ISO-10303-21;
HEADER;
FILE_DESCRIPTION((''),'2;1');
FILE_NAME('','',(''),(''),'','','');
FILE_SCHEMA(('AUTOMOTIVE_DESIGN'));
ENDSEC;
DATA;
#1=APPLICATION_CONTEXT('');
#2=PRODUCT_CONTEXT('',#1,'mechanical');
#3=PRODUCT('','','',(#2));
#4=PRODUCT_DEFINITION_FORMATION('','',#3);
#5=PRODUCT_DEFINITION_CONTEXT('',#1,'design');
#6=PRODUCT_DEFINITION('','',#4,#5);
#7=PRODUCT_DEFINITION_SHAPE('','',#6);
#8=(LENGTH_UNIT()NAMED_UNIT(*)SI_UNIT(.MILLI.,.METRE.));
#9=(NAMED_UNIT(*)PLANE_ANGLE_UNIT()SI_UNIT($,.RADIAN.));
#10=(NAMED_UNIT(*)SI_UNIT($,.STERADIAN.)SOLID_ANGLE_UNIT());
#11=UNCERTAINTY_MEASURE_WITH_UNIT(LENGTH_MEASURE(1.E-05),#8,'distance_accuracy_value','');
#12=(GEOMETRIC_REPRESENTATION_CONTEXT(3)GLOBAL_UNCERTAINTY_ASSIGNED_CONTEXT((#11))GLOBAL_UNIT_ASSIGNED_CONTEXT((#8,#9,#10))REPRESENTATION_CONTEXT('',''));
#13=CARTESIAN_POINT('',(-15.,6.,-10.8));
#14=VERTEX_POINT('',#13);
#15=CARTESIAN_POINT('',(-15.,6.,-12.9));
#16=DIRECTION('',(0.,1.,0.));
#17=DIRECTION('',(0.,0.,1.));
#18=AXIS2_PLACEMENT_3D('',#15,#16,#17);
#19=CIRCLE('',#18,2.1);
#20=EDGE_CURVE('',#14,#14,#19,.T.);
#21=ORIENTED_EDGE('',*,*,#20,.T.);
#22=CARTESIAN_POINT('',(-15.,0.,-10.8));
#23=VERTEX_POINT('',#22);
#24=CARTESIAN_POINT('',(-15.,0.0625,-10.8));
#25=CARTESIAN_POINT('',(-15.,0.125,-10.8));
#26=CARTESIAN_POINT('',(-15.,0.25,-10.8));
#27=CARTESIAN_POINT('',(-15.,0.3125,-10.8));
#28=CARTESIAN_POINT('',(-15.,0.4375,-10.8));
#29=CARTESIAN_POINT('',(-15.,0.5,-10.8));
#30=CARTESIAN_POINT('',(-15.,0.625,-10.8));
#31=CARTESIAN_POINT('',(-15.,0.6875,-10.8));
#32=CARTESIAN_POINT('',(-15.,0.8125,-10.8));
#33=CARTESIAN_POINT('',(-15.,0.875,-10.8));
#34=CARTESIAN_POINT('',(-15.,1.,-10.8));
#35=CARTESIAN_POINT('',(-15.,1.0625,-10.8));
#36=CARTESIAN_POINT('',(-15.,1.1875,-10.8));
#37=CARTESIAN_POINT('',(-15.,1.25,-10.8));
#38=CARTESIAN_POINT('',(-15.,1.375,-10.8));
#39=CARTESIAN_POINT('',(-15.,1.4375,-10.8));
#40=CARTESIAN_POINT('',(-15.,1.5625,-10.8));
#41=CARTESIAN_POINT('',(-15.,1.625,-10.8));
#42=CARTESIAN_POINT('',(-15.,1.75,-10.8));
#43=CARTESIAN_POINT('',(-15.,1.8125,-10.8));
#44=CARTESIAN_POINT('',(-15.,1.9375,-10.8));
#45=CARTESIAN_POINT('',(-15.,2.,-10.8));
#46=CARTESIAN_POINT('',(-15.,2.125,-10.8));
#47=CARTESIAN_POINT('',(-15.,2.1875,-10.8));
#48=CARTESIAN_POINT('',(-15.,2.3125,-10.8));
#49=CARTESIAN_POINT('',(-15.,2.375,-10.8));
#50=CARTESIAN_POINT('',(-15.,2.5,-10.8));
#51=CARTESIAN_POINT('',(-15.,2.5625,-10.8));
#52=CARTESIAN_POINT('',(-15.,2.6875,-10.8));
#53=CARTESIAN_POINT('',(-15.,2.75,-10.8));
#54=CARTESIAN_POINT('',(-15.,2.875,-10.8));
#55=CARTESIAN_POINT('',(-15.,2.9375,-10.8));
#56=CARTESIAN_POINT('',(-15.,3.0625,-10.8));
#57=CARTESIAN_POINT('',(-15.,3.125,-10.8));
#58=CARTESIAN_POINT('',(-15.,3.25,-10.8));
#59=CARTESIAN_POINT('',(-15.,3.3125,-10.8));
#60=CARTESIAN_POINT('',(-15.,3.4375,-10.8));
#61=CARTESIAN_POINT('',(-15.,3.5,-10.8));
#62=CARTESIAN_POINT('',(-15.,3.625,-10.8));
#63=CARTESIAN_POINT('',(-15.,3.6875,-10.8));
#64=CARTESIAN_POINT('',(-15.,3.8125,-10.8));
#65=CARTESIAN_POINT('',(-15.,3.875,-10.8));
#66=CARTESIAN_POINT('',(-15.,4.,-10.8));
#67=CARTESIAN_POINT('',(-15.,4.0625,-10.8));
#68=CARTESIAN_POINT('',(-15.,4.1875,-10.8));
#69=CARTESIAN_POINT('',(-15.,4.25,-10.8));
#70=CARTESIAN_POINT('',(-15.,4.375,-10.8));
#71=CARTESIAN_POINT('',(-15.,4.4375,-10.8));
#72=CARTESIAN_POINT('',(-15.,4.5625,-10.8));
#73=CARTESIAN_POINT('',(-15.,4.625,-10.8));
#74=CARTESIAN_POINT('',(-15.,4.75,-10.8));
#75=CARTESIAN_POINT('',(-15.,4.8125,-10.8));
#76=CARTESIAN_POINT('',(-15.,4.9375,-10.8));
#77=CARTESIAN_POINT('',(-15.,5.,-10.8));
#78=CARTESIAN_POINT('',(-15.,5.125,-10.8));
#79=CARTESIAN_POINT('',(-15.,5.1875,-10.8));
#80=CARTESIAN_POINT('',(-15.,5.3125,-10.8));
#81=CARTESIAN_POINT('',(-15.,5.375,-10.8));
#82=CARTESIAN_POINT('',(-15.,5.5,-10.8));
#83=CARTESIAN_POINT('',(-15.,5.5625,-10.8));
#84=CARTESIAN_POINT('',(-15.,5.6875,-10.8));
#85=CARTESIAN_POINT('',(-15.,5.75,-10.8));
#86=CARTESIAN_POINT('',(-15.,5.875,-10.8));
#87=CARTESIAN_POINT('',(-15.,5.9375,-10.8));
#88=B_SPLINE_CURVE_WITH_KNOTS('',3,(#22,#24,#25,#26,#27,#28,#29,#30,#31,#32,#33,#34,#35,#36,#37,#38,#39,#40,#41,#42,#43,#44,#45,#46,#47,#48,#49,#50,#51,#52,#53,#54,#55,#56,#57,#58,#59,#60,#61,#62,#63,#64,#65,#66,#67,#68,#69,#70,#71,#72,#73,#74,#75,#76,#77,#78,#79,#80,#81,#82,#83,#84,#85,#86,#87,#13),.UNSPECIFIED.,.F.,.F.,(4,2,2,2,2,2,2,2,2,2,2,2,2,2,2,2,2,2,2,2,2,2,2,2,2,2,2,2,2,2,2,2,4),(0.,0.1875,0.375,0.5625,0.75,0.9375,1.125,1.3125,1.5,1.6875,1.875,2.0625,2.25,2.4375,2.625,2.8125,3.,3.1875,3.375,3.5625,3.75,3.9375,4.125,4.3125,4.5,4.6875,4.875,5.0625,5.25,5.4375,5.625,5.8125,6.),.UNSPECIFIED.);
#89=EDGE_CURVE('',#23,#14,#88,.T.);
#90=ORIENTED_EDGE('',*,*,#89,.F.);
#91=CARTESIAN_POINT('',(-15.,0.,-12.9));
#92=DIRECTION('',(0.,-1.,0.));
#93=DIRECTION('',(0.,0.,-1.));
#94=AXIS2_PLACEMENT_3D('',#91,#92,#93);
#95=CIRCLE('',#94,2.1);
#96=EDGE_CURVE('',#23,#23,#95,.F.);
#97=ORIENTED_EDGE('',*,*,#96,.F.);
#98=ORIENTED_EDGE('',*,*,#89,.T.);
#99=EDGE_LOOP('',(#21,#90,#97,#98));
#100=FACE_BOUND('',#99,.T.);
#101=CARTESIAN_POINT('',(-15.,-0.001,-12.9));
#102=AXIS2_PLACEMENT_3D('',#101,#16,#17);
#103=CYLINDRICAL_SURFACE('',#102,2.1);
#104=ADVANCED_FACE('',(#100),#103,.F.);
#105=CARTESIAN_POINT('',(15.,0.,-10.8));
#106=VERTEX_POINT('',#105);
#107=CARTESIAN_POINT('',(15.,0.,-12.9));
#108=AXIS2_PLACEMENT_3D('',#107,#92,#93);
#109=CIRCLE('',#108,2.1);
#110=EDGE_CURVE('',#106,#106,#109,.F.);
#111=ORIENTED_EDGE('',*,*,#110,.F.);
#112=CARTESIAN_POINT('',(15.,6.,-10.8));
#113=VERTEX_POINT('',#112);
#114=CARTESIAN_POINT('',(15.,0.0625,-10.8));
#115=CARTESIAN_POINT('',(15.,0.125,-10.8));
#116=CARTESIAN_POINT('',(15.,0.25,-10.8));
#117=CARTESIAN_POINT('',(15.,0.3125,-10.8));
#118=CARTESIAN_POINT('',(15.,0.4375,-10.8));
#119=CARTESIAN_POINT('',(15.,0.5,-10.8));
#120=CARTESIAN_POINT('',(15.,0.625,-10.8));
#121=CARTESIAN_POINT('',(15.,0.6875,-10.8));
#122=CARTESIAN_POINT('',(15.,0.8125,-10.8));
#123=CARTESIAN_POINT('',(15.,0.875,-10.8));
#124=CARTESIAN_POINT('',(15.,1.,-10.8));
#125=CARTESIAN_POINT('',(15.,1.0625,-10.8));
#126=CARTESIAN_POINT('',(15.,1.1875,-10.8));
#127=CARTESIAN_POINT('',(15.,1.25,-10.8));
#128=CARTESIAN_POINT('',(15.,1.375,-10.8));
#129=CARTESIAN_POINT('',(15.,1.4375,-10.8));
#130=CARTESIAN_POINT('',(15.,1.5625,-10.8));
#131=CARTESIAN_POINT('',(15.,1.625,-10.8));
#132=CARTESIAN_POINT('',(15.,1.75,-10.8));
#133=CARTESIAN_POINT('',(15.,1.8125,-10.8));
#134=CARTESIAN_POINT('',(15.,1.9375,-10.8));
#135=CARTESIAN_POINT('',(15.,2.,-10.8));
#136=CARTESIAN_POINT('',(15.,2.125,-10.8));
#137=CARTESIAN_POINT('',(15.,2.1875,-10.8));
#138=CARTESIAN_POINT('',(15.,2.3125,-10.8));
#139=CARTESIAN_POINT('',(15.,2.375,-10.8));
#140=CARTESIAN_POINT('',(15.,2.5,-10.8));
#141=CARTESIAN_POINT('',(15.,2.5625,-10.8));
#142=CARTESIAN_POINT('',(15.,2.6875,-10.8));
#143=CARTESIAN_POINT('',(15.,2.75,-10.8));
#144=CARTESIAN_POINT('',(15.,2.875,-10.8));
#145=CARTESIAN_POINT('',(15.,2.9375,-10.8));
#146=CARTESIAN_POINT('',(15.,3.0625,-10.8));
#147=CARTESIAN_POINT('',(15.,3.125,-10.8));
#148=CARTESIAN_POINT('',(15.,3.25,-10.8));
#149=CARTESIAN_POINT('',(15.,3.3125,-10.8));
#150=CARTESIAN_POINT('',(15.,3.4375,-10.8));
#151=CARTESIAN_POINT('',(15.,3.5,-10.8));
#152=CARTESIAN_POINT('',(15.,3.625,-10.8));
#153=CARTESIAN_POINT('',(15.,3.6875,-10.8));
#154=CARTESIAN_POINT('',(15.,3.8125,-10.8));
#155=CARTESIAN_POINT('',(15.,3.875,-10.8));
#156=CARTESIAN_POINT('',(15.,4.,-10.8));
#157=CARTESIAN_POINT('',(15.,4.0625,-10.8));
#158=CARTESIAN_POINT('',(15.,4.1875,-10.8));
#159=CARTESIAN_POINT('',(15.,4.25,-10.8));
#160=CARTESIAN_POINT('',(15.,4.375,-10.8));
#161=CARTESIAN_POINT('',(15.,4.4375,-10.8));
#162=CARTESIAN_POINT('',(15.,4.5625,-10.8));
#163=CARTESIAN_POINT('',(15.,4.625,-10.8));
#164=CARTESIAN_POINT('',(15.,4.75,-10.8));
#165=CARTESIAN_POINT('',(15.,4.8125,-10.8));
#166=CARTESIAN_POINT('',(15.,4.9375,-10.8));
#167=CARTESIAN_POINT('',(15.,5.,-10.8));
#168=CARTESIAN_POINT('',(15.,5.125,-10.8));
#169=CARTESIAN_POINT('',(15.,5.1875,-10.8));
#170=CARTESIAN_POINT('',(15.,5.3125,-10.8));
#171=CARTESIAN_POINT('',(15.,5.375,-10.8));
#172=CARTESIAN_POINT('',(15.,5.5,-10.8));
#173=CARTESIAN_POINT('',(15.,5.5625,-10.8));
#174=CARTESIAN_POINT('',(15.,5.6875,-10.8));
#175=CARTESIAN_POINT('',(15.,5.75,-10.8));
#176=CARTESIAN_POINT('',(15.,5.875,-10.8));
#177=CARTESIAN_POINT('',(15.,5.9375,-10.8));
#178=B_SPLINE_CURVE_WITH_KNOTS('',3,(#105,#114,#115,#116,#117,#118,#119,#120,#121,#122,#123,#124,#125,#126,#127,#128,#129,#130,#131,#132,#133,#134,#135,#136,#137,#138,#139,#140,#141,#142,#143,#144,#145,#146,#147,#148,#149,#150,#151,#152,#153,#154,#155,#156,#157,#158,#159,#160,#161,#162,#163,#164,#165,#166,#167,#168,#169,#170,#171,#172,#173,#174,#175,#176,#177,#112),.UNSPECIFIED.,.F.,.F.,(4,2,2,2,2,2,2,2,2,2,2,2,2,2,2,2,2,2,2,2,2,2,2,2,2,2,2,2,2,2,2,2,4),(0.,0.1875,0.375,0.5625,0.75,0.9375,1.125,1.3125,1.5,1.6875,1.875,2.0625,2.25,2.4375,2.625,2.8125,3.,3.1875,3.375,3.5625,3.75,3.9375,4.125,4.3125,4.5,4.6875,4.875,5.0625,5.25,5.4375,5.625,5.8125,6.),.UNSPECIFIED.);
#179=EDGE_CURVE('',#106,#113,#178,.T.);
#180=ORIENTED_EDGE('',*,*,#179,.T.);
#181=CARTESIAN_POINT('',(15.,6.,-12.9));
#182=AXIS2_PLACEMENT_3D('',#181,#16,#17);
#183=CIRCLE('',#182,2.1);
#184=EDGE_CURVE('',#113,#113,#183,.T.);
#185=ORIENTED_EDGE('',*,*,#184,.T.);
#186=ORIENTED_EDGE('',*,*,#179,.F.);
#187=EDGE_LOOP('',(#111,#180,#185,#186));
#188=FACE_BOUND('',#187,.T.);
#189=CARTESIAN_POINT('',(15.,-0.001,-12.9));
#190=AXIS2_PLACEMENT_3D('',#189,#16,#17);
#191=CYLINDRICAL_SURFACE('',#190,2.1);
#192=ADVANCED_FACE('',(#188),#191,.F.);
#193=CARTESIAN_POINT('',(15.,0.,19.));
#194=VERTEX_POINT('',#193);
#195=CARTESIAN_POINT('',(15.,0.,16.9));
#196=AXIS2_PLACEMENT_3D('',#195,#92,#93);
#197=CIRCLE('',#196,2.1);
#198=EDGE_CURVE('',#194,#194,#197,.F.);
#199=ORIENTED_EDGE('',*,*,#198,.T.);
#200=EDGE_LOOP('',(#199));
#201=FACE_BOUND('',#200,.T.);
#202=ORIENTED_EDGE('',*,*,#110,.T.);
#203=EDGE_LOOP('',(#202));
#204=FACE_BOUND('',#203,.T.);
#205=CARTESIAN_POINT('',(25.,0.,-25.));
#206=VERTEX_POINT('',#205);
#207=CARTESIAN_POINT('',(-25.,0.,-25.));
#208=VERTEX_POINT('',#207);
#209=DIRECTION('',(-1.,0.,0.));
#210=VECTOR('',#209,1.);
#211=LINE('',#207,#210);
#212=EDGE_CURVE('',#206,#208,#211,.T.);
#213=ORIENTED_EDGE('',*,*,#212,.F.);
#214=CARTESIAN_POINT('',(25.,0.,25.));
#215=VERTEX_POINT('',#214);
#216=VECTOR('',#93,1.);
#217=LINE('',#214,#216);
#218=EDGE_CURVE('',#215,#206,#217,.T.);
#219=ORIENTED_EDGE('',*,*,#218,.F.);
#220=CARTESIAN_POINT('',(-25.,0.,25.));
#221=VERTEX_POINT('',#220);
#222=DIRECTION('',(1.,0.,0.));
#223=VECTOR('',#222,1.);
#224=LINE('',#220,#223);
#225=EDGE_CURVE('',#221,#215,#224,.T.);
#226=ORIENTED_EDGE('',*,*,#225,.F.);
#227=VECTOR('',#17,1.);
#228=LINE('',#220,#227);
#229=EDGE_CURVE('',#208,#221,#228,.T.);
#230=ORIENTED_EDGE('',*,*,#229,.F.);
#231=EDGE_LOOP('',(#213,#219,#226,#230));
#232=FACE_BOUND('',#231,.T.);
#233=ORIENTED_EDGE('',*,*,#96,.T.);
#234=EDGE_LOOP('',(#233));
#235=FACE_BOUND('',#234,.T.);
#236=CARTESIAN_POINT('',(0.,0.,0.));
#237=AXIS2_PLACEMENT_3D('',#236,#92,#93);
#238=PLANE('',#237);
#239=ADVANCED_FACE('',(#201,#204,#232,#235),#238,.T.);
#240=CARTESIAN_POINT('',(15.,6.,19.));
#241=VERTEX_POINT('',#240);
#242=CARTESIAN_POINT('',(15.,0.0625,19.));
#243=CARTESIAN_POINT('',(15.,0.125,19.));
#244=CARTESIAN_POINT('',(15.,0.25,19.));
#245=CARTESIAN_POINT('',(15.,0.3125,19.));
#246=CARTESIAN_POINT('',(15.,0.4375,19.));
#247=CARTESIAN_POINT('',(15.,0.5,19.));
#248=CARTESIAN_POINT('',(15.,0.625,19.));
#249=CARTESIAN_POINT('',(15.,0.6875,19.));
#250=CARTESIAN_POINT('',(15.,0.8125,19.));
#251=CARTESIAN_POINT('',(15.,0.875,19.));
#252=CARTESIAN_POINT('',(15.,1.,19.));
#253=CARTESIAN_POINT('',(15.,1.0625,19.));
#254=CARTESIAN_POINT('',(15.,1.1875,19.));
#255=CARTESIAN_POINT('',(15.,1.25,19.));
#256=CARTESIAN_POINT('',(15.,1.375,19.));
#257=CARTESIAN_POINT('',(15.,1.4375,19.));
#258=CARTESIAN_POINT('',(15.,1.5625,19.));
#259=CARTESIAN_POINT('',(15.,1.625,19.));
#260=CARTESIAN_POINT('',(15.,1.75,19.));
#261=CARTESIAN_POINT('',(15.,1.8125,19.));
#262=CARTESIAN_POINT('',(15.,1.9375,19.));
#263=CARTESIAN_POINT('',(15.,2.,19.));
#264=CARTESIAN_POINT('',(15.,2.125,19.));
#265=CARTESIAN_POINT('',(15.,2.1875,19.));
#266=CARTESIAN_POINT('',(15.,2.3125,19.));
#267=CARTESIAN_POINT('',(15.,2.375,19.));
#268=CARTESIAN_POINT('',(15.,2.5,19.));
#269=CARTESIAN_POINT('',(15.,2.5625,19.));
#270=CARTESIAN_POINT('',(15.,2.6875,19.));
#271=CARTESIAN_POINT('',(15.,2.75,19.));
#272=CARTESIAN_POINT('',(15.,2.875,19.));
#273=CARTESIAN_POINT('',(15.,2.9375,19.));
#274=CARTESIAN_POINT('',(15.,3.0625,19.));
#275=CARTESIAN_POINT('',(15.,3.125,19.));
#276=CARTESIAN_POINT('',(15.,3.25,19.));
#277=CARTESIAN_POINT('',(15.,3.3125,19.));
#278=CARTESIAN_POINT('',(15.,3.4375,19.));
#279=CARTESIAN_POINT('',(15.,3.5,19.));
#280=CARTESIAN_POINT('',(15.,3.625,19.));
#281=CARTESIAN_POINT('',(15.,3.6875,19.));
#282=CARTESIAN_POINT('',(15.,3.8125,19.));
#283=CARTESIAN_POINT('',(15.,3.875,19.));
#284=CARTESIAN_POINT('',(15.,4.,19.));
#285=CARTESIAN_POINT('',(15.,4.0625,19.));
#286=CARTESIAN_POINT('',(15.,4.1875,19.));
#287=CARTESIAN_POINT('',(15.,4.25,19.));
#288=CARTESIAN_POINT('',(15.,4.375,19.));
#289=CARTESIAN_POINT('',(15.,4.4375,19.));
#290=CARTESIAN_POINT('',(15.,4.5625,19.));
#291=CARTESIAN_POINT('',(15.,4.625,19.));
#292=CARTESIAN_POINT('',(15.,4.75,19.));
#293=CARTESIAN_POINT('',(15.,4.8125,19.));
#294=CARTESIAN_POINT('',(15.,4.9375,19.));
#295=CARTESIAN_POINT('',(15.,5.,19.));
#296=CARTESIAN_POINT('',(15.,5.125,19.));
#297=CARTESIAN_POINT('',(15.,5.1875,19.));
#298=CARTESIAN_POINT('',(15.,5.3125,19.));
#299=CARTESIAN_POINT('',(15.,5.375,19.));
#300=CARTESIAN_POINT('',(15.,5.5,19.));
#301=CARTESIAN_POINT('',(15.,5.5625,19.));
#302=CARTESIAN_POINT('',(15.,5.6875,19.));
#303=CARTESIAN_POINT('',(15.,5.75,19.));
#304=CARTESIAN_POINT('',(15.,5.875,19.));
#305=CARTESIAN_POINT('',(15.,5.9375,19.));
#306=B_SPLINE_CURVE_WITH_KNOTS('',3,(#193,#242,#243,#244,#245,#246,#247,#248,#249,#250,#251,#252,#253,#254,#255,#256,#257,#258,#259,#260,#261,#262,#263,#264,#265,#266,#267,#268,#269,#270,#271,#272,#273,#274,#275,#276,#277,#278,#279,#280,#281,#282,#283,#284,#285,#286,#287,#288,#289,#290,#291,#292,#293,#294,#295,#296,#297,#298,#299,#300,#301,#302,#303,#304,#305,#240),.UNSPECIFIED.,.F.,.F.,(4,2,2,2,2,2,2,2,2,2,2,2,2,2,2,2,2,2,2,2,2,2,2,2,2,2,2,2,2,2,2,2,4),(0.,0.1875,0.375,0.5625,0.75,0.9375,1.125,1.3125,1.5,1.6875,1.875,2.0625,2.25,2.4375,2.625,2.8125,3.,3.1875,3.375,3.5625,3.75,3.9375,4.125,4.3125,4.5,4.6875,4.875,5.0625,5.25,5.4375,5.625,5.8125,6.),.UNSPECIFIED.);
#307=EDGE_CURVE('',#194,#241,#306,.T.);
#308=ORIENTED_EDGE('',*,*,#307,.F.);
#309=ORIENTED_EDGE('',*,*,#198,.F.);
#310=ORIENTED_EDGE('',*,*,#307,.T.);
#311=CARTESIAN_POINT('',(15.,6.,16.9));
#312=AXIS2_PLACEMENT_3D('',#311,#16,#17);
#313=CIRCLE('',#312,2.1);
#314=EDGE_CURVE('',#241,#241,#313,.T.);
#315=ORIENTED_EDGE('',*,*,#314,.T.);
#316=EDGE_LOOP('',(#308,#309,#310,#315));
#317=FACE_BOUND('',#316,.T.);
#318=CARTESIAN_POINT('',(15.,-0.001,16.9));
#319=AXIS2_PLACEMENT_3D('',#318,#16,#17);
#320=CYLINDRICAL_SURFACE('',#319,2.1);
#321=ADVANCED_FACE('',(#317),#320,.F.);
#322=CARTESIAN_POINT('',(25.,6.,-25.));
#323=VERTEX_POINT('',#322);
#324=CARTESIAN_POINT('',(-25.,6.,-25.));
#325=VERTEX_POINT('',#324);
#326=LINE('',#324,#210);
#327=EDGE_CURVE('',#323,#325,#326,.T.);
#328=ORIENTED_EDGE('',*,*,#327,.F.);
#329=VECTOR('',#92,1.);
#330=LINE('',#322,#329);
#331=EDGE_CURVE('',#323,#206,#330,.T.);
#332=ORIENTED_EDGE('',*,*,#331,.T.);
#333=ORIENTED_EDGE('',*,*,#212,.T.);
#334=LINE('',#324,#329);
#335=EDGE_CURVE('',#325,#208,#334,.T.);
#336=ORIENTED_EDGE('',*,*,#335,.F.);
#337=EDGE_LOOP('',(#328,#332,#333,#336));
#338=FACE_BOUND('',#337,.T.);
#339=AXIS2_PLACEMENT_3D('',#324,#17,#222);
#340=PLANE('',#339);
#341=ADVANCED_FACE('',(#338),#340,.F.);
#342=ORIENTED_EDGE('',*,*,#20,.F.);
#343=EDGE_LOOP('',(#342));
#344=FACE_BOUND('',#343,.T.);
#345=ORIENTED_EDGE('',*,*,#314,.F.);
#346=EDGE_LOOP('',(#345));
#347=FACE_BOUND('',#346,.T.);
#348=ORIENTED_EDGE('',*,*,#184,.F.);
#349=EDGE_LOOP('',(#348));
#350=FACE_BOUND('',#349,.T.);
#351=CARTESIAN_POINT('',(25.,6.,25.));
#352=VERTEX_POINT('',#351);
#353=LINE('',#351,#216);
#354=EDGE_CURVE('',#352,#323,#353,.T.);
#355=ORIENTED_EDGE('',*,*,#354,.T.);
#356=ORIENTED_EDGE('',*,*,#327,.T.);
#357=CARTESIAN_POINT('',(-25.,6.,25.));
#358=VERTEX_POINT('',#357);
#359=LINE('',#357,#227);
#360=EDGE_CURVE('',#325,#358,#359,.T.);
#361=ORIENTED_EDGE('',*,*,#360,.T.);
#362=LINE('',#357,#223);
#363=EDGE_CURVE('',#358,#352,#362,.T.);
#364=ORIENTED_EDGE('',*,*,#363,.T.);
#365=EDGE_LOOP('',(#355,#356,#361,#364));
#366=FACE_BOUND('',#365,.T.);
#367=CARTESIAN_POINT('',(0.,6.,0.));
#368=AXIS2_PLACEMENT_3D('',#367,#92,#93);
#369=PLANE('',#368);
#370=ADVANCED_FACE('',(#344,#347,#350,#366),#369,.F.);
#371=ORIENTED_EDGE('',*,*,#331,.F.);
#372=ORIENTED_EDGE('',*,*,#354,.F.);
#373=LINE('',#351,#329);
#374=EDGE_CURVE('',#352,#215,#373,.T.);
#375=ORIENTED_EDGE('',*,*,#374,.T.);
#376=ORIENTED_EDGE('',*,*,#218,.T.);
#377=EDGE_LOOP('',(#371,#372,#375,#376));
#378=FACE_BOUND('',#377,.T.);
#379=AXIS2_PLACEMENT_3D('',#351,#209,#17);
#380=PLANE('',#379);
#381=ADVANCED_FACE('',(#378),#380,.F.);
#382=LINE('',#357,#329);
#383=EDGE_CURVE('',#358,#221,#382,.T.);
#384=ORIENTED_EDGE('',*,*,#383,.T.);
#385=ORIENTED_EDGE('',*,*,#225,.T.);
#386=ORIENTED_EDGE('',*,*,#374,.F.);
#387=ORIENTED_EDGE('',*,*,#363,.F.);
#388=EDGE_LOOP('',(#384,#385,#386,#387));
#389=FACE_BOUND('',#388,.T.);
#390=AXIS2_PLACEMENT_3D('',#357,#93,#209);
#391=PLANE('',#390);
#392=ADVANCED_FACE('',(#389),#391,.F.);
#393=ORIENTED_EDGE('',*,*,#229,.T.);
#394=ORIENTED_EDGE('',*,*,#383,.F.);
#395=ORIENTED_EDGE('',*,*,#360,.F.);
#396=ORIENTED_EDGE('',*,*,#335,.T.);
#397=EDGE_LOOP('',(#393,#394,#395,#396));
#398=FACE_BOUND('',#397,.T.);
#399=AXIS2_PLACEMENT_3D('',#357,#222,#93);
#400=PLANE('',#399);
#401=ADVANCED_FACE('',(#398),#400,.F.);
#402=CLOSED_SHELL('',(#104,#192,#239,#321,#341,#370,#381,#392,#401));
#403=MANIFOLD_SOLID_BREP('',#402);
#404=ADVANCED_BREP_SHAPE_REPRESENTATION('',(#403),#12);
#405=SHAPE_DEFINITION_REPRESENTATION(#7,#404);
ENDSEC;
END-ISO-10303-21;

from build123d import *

# Parameters (mm, degrees)
SKETCH_1_W          = 50
SKETCH_1_H          = 50
EXTRUDE_1_DEPTH     = 6
CUT_EXTRUDE_1_REACH = 37.861
SKETCH_2_R          = 2.1
CUT_EXTRUDE_2_REACH = 37.861
SKETCH_3_R          = 2.1


with BuildPart() as part:
    # 草图1 → 凸台-拉伸1 (new body)
    with BuildSketch(Plane(origin=(0, 0, 0), x_dir=(1, 0, 0), z_dir=(0, 1, 0))):
        Rectangle(SKETCH_1_W, SKETCH_1_H)
    extrude(amount=EXTRUDE_1_DEPTH)

    # 草图2 → 切除-拉伸1 (cut, up to next)
    with BuildSketch(Plane(origin=(0, 6, 0), x_dir=(1, 0, 0), z_dir=(0, 1, 0)), mode=Mode.PRIVATE) as cut_extrude_1_sk1:
        with Locations(Location((-15, 12.9, 0), (0, 0, 270))):
            Circle(SKETCH_2_R)
    cut_extrude_1_tool1 = extrude(cut_extrude_1_sk1.sketch, amount=-CUT_EXTRUDE_1_REACH, mode=Mode.PRIVATE) & part.part
    # 草图2 → 切除-拉伸1 (cut, up to next)
    with BuildSketch(Plane(origin=(0, 6, 0), x_dir=(1, 0, 0), z_dir=(0, 1, 0)), mode=Mode.PRIVATE) as cut_extrude_1_sk2:
        with Locations(Location((15, 12.9, 0), (0, 0, 270))):
            Circle(SKETCH_2_R)
    cut_extrude_1_tool2 = extrude(cut_extrude_1_sk2.sketch, amount=-CUT_EXTRUDE_1_REACH, mode=Mode.PRIVATE) & part.part
    add(cut_extrude_1_tool1.solids().sort_by_distance((-15, 6, -12.9))[0], mode=Mode.SUBTRACT)
    add(cut_extrude_1_tool2.solids().sort_by_distance((15, 6, -12.9))[0], mode=Mode.SUBTRACT)

    # 草图3 → 切除-拉伸2 (cut, up to next)
    with BuildSketch(Plane(origin=(0, 6, 0), x_dir=(1, 0, 0), z_dir=(0, 1, 0)), mode=Mode.PRIVATE) as cut_extrude_2_sk1:
        with Locations(Location((15, -16.9, 0), (0, 0, 270))):
            Circle(SKETCH_3_R)
    cut_extrude_2_tool1 = extrude(cut_extrude_2_sk1.sketch, amount=-CUT_EXTRUDE_2_REACH, mode=Mode.PRIVATE) & part.part
    add(cut_extrude_2_tool1.solids().sort_by_distance((15, 6, 16.9))[0], mode=Mode.SUBTRACT)


solid = part.part
